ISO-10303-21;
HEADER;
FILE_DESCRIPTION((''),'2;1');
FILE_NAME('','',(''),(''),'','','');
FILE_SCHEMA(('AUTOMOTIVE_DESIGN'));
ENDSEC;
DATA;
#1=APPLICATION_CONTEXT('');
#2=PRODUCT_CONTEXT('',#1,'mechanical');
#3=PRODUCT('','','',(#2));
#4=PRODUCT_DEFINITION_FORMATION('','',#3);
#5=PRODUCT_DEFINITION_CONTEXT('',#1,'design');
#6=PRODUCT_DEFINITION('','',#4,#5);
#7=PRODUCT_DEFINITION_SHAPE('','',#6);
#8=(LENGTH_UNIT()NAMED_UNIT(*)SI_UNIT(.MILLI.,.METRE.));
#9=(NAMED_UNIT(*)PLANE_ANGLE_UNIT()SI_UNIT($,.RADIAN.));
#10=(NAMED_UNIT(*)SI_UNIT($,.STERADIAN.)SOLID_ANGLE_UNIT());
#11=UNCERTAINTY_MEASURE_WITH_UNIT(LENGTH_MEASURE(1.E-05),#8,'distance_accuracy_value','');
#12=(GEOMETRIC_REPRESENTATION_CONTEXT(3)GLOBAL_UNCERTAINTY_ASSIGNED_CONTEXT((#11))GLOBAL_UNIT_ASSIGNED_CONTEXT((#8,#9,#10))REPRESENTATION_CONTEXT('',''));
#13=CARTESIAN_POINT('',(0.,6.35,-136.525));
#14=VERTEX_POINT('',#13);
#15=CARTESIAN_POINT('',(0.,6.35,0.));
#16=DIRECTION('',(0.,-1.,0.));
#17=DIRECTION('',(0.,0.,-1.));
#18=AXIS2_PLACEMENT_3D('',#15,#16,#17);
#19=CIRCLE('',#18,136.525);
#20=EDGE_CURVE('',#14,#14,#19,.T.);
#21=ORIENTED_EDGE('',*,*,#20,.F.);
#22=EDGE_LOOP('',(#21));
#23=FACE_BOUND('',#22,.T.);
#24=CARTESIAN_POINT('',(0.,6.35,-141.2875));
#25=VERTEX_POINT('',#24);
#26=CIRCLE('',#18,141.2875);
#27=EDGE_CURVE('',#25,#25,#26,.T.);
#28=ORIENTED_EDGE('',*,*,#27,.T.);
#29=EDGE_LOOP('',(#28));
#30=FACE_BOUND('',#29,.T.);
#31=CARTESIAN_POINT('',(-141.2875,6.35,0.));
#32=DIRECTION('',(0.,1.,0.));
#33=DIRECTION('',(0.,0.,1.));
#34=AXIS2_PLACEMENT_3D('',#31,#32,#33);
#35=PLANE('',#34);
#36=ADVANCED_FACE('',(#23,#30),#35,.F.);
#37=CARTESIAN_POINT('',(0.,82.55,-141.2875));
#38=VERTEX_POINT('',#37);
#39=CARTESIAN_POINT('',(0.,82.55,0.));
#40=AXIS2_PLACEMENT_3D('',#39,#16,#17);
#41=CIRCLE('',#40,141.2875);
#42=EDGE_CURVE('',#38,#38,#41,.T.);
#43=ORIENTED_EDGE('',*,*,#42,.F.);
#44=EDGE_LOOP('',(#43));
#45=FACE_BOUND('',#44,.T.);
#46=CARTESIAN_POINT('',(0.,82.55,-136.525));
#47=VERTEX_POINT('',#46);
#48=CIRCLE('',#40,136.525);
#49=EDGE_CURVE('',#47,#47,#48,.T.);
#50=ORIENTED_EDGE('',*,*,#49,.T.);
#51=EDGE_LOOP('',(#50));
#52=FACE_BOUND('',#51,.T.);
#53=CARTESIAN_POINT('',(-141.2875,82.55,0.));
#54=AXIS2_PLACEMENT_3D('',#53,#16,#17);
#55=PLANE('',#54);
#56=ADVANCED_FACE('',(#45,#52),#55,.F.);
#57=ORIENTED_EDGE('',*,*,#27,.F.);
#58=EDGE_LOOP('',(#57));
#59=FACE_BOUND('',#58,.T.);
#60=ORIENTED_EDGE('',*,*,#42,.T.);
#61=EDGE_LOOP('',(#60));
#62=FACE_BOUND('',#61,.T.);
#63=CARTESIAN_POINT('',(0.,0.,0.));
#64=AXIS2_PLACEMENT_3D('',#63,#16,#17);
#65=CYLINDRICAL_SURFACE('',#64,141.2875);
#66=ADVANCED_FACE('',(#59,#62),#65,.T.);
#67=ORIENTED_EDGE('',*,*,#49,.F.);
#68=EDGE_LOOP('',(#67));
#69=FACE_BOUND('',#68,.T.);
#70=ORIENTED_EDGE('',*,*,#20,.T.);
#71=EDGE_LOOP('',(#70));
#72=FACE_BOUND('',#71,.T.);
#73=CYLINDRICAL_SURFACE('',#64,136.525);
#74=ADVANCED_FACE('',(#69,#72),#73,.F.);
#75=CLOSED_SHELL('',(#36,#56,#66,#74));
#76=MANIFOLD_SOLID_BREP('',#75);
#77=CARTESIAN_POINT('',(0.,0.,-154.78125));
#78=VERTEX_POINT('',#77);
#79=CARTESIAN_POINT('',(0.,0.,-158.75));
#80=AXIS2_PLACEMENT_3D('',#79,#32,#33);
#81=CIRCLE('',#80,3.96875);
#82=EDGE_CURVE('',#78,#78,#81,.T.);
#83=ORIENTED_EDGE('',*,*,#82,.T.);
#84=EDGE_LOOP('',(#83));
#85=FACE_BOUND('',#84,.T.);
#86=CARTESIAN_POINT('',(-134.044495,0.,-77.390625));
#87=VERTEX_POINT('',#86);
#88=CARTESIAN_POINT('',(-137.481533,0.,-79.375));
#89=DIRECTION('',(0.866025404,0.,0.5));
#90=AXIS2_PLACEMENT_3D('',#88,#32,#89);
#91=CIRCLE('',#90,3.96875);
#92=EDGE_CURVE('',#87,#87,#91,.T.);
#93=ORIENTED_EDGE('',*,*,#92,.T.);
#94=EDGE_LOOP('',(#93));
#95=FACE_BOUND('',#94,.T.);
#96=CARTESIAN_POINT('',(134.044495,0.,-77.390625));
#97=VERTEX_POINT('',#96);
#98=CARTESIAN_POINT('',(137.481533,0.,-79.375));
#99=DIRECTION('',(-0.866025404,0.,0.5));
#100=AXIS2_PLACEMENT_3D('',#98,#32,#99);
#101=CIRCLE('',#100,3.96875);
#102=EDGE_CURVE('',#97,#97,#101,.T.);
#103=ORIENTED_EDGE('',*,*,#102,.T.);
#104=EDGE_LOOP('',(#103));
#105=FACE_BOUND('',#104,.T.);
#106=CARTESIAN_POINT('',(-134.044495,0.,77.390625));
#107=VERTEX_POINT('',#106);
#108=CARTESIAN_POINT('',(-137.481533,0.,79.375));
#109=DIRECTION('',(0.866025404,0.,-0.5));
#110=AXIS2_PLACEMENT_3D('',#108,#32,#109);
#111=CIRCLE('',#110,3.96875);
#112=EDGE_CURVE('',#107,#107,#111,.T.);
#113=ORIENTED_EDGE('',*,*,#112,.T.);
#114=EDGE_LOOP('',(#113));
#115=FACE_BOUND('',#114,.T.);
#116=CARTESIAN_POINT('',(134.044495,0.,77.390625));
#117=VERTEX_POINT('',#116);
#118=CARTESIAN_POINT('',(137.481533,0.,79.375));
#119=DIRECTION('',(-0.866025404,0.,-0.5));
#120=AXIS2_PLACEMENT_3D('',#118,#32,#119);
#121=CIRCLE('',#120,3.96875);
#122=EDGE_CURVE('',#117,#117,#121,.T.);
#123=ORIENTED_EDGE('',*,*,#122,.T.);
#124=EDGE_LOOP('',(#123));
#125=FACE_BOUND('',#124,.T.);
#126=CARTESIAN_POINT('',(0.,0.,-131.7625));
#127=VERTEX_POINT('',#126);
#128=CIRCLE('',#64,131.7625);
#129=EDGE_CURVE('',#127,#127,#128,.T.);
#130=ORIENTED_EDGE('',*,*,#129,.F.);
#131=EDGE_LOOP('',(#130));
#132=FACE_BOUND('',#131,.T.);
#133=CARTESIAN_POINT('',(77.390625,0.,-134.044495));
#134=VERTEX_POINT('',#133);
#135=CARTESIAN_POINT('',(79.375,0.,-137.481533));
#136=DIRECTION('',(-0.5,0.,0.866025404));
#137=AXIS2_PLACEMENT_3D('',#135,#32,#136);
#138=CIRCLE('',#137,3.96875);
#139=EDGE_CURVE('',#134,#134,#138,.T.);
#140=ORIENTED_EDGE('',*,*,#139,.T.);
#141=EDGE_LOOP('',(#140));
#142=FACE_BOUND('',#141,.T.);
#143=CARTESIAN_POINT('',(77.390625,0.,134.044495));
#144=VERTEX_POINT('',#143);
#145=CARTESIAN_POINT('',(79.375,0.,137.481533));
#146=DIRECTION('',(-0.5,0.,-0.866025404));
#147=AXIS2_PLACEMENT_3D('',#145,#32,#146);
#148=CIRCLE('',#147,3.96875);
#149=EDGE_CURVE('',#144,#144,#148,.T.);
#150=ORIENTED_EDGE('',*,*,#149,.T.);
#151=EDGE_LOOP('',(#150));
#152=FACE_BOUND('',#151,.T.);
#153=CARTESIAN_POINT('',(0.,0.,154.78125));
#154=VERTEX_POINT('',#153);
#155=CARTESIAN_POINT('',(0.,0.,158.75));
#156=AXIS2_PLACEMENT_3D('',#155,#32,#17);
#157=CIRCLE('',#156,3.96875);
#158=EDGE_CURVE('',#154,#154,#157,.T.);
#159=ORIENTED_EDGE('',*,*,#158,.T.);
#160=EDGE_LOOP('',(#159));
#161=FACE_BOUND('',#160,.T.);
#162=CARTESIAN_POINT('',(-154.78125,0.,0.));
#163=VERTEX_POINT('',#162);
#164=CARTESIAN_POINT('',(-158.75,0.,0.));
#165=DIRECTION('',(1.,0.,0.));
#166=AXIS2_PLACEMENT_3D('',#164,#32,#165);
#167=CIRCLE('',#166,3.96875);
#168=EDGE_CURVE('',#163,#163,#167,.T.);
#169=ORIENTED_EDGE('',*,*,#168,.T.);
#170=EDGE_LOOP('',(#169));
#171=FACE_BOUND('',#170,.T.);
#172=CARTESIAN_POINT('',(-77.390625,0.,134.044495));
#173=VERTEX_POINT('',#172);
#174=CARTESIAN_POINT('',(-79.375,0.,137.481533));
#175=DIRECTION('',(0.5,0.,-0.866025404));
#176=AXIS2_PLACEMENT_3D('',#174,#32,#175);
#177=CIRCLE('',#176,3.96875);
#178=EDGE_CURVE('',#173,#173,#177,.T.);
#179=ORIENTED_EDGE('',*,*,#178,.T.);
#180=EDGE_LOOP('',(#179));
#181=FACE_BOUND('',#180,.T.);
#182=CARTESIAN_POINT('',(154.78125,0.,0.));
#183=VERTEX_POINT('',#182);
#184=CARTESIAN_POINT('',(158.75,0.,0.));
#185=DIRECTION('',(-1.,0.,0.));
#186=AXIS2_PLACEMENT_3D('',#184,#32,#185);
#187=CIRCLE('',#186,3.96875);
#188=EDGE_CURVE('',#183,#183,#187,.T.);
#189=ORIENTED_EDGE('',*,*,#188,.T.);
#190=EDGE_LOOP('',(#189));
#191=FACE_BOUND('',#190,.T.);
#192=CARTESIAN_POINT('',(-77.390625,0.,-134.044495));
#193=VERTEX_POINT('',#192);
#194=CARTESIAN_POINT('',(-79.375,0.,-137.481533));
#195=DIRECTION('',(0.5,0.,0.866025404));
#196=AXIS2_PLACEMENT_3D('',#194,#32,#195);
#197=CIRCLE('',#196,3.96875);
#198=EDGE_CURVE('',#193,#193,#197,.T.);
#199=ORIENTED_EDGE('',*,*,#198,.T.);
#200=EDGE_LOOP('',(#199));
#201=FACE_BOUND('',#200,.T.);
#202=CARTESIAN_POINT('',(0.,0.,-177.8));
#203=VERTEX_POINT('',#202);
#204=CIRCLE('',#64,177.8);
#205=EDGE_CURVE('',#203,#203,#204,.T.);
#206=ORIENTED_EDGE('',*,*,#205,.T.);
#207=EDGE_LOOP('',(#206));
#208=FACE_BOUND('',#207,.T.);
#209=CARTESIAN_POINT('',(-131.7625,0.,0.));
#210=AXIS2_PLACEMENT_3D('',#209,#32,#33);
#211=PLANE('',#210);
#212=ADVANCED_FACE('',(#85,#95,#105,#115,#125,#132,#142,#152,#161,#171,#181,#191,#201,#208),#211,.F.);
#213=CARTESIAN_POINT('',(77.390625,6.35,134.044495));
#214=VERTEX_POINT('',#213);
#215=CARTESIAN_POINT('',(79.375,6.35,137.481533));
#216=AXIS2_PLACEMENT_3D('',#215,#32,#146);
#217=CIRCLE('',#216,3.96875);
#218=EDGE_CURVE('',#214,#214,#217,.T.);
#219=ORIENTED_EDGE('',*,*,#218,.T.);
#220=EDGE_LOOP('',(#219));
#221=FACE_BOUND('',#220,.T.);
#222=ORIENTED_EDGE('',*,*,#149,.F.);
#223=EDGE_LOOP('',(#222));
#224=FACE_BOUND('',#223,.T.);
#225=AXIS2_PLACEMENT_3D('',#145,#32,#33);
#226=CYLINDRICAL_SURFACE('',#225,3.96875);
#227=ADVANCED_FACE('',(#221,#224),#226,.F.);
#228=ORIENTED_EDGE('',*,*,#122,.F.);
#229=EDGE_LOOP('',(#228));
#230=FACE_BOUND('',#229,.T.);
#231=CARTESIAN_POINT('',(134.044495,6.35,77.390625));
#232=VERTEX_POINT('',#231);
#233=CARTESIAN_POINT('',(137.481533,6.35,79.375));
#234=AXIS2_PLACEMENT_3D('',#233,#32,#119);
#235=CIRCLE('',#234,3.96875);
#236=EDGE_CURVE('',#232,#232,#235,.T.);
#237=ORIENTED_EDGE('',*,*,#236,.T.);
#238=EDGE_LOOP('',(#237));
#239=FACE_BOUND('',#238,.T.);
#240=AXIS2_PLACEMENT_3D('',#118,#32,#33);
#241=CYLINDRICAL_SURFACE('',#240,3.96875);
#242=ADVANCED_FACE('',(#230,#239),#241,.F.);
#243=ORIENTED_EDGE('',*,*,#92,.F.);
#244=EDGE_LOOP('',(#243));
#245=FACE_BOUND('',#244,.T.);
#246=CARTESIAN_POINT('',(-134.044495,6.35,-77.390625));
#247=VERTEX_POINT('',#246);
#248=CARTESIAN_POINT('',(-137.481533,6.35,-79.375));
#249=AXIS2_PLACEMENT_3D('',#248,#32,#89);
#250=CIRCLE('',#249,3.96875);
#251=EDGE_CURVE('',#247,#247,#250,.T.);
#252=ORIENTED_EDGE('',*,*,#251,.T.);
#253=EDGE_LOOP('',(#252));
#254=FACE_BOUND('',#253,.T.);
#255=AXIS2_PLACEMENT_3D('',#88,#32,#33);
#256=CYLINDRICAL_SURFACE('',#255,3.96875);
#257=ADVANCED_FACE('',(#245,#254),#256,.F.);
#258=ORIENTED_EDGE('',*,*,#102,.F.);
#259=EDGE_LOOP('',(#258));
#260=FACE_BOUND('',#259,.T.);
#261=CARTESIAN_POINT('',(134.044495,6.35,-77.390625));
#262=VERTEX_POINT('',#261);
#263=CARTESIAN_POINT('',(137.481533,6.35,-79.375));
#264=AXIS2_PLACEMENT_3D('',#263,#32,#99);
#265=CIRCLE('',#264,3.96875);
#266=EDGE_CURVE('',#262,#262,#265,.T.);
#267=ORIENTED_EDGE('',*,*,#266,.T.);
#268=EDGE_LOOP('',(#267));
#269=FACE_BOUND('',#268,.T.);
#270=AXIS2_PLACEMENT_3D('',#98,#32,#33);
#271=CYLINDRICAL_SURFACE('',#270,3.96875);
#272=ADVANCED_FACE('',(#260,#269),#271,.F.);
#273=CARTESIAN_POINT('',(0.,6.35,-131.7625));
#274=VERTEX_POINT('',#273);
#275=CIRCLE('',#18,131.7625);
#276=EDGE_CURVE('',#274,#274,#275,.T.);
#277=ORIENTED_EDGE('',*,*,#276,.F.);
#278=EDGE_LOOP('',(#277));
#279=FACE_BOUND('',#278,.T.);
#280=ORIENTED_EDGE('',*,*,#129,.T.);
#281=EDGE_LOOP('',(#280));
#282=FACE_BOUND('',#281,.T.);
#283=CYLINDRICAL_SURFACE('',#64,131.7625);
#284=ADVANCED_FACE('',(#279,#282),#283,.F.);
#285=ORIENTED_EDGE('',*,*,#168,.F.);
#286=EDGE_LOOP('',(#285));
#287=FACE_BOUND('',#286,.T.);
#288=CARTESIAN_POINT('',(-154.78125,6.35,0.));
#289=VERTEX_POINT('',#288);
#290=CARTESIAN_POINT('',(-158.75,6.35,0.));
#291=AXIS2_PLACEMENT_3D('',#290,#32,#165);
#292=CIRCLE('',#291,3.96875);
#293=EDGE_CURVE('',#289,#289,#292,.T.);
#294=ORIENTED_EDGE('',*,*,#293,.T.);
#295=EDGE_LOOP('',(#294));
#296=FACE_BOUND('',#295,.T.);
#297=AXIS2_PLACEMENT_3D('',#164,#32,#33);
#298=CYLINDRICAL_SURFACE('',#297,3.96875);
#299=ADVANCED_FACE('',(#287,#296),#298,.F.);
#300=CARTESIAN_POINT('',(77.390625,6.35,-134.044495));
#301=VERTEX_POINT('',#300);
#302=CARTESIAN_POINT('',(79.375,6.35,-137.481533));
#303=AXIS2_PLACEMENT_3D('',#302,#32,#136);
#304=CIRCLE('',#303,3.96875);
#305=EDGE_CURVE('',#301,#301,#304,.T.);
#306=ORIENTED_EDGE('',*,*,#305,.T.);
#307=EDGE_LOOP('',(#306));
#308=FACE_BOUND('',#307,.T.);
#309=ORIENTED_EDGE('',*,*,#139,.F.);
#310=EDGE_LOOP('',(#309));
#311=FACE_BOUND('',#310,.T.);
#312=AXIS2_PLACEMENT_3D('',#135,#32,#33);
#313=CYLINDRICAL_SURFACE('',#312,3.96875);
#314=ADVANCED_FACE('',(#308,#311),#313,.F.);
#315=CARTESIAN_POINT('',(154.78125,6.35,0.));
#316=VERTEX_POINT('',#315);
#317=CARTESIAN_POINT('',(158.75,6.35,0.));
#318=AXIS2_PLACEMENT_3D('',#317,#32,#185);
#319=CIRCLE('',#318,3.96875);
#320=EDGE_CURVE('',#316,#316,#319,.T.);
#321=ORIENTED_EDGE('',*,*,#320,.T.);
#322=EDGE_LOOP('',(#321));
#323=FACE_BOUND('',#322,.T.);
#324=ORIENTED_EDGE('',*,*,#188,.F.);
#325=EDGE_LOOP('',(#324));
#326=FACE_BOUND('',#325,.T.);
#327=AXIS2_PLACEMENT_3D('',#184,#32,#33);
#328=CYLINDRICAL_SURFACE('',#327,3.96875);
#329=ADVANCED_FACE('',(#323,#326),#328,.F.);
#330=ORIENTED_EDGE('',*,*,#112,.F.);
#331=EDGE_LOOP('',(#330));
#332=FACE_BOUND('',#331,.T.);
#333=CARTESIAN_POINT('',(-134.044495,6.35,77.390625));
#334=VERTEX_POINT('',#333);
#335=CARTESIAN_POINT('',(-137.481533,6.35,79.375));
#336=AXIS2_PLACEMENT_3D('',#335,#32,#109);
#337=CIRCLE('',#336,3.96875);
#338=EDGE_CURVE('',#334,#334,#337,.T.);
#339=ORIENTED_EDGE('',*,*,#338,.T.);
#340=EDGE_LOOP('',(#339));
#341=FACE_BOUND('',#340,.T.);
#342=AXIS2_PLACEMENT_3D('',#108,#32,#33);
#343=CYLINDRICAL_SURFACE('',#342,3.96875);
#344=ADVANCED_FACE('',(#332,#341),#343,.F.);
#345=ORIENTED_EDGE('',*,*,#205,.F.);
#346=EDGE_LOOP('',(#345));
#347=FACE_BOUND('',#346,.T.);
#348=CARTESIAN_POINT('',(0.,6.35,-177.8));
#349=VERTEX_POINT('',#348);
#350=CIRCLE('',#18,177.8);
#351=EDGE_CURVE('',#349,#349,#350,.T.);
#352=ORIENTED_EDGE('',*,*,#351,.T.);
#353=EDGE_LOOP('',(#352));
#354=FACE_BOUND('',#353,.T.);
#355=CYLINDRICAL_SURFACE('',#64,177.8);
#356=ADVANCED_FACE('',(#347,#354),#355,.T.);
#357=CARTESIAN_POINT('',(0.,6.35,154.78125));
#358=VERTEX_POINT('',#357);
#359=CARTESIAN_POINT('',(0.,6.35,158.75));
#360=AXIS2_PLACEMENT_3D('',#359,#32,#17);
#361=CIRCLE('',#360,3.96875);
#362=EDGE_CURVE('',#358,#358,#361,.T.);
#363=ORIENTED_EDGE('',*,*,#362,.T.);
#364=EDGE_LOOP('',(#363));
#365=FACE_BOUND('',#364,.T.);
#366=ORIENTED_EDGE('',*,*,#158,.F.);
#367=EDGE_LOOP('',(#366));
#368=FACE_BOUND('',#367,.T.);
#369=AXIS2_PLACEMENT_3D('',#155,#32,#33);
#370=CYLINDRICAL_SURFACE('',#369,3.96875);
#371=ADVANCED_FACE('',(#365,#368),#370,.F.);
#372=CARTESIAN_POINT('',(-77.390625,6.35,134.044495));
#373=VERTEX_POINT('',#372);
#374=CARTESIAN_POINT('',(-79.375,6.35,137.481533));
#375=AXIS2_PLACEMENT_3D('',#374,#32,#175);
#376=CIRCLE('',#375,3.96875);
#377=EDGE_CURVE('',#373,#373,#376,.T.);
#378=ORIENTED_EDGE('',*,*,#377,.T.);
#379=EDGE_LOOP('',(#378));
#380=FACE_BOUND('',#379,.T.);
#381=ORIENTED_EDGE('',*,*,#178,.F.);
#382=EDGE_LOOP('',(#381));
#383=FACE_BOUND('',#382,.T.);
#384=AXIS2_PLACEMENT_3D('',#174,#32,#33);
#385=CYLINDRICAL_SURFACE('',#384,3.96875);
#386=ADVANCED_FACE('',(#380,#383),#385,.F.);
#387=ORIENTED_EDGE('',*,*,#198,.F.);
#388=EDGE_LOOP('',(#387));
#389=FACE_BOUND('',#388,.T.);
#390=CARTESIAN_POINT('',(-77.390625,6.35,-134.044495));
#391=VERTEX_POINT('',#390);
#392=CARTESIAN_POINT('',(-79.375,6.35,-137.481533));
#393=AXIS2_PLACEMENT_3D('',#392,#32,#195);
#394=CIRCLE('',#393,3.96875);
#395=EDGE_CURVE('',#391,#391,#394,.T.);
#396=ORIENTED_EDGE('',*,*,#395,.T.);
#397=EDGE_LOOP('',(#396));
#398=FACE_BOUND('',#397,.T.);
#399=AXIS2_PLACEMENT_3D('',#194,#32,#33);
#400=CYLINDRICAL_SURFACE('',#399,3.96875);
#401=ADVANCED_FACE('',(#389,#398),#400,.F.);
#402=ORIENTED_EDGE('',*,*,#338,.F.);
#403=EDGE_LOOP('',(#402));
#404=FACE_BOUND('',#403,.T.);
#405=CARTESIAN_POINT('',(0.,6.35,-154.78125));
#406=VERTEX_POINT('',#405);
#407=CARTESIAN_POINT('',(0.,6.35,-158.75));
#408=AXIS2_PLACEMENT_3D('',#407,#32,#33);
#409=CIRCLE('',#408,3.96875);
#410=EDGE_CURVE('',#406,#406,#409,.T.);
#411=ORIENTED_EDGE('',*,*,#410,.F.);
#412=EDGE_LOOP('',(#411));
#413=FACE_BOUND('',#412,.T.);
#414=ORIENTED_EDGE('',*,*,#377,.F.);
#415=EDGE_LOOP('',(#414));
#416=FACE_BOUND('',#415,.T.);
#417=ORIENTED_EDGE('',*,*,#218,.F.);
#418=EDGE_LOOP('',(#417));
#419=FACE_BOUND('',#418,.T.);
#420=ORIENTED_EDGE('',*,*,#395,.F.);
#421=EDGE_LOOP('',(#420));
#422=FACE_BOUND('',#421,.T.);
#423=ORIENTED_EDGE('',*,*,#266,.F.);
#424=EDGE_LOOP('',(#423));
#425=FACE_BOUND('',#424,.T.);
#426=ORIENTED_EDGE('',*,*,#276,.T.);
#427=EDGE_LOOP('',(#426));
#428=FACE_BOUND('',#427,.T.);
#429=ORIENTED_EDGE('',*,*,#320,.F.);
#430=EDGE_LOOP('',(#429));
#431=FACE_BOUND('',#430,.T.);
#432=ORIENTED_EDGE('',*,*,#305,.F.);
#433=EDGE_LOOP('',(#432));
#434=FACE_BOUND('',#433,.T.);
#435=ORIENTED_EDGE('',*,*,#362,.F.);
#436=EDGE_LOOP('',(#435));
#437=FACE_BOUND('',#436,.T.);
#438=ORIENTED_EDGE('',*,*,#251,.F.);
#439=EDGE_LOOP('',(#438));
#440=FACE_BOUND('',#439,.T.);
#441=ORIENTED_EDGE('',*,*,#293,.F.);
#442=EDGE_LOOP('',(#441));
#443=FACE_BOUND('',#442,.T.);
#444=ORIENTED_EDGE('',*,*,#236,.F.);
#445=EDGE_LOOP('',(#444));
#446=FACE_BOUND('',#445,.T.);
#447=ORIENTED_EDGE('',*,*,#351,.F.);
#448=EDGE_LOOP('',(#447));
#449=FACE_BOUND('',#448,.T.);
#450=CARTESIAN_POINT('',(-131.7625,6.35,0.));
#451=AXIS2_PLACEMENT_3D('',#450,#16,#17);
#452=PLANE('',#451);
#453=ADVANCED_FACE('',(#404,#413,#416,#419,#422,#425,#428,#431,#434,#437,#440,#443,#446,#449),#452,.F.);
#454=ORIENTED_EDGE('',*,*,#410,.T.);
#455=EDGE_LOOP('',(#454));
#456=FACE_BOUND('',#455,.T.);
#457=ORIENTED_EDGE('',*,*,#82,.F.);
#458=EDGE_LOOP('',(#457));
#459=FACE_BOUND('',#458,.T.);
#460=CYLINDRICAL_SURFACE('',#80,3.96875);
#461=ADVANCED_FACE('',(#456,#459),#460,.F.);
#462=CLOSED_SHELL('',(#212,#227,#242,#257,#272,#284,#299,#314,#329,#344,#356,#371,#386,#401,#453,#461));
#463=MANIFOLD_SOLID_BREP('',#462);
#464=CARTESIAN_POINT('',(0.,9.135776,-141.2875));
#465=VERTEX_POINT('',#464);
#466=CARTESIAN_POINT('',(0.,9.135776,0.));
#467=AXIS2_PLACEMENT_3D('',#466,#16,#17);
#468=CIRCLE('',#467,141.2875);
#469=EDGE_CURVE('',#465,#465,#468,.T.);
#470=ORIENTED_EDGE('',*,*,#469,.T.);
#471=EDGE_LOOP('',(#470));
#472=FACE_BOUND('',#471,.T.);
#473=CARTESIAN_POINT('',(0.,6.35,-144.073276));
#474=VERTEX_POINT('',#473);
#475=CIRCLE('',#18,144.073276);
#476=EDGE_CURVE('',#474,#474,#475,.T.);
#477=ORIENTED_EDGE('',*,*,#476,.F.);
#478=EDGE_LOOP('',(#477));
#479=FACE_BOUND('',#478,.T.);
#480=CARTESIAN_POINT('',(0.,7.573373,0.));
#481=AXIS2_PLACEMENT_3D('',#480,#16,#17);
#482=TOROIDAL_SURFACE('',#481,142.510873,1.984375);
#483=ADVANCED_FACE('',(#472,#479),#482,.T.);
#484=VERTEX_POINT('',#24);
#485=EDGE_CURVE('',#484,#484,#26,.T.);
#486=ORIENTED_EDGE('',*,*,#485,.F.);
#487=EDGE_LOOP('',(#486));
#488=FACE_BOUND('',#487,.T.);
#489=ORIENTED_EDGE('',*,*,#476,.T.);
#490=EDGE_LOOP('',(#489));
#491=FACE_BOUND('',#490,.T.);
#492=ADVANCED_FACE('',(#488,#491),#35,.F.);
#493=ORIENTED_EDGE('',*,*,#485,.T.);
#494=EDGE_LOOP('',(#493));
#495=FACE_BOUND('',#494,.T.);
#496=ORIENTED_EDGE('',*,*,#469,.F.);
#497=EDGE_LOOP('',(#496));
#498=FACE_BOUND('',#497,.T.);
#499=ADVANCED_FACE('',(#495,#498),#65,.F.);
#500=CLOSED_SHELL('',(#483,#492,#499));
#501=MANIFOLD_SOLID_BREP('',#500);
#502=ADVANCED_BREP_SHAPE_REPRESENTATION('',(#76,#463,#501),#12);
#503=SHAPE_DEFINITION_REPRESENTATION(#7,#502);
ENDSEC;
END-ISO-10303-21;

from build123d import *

# Parameters (mm, degrees)
SKETCH1_W          = 46.0375
SKETCH1_H          = 6.35
SKETCH2_W          = 4.7625
SKETCH2_H          = 76.2
SKETCH4_R          = 3.96875
CUT_EXTRUDE1_DEPTH = 7.35
CIRPATTERN1_COUNT  = 12


with BuildPart() as part:
    # Sketch1 → Revolve1 (revolve)
    with BuildSketch(Plane.XY, mode=Mode.PRIVATE) as revolve1_sk:
        with Locations((-154.78125, 3.175)):
            Rectangle(SKETCH1_W, SKETCH1_H)
    revolve(revolve1_sk.sketch.rotate(Axis((0, 0, 0), (0, 1, 0)), 270), axis=Axis((0, 0, 0), (0, 1, 0)))  # turned: the seam where the file's is

    # Sketch4 → Cut-Extrude1 (cut, through all)
    with BuildSketch(Plane(origin=(0, 6.35, 0), x_dir=(1, 0, 0), z_dir=(0, 1, 0))):
        with Locations(Location((0, 158.75, 0), (0, 0, 270))):  # turned: the seam where the file's is
            Circle(SKETCH4_R)
    cut_extrude1 = extrude(amount=-CUT_EXTRUDE1_DEPTH, mode=Mode.SUBTRACT)

    # CirPattern1: Cut-Extrude1 ×12 about axis
    cirpattern1_axis = Axis((0, 0, 0), (0, 1, 0))
    for i in range(1, CIRPATTERN1_COUNT):
        add(cut_extrude1.rotate(cirpattern1_axis, i * 360 / CIRPATTERN1_COUNT), mode=Mode.SUBTRACT)


with BuildPart() as body_2:
    # Sketch2 → Revolve2 (revolve)
    with BuildSketch(Plane.XY, mode=Mode.PRIVATE) as revolve2_sk:
        with Locations((-138.90625, 44.45)):
            Rectangle(SKETCH2_W, SKETCH2_H)
    revolve(revolve2_sk.sketch.rotate(Axis((0, 0, 0), (0, 1, 0)), 270), axis=Axis((0, 0, 0), (0, 1, 0)))  # turned: the seam where the file's is


with BuildPart() as body_3:
    # Sketch3 → Revolve3 (revolve)
    with BuildSketch(Plane.XY, mode=Mode.PRIVATE) as revolve3_sk:
        with BuildLine():
            Line((-141.2875, 6.35), (-144.073275819, 6.35))
            ThreePointArc((-144.073275819, 6.35), (-143.914037909, 8.976537909), (-141.2875, 9.135775819))
            Line((-141.2875, 9.135775819), (-141.2875, 6.35))
        make_face()
    revolve(revolve3_sk.sketch.rotate(Axis((0, 0, 0), (0, 1, 0)), 270), axis=Axis((0, 0, 0), (0, 1, 0)))  # turned: the seam where the file's is


solid = Compound([part.part, body_2.part, body_3.part])
